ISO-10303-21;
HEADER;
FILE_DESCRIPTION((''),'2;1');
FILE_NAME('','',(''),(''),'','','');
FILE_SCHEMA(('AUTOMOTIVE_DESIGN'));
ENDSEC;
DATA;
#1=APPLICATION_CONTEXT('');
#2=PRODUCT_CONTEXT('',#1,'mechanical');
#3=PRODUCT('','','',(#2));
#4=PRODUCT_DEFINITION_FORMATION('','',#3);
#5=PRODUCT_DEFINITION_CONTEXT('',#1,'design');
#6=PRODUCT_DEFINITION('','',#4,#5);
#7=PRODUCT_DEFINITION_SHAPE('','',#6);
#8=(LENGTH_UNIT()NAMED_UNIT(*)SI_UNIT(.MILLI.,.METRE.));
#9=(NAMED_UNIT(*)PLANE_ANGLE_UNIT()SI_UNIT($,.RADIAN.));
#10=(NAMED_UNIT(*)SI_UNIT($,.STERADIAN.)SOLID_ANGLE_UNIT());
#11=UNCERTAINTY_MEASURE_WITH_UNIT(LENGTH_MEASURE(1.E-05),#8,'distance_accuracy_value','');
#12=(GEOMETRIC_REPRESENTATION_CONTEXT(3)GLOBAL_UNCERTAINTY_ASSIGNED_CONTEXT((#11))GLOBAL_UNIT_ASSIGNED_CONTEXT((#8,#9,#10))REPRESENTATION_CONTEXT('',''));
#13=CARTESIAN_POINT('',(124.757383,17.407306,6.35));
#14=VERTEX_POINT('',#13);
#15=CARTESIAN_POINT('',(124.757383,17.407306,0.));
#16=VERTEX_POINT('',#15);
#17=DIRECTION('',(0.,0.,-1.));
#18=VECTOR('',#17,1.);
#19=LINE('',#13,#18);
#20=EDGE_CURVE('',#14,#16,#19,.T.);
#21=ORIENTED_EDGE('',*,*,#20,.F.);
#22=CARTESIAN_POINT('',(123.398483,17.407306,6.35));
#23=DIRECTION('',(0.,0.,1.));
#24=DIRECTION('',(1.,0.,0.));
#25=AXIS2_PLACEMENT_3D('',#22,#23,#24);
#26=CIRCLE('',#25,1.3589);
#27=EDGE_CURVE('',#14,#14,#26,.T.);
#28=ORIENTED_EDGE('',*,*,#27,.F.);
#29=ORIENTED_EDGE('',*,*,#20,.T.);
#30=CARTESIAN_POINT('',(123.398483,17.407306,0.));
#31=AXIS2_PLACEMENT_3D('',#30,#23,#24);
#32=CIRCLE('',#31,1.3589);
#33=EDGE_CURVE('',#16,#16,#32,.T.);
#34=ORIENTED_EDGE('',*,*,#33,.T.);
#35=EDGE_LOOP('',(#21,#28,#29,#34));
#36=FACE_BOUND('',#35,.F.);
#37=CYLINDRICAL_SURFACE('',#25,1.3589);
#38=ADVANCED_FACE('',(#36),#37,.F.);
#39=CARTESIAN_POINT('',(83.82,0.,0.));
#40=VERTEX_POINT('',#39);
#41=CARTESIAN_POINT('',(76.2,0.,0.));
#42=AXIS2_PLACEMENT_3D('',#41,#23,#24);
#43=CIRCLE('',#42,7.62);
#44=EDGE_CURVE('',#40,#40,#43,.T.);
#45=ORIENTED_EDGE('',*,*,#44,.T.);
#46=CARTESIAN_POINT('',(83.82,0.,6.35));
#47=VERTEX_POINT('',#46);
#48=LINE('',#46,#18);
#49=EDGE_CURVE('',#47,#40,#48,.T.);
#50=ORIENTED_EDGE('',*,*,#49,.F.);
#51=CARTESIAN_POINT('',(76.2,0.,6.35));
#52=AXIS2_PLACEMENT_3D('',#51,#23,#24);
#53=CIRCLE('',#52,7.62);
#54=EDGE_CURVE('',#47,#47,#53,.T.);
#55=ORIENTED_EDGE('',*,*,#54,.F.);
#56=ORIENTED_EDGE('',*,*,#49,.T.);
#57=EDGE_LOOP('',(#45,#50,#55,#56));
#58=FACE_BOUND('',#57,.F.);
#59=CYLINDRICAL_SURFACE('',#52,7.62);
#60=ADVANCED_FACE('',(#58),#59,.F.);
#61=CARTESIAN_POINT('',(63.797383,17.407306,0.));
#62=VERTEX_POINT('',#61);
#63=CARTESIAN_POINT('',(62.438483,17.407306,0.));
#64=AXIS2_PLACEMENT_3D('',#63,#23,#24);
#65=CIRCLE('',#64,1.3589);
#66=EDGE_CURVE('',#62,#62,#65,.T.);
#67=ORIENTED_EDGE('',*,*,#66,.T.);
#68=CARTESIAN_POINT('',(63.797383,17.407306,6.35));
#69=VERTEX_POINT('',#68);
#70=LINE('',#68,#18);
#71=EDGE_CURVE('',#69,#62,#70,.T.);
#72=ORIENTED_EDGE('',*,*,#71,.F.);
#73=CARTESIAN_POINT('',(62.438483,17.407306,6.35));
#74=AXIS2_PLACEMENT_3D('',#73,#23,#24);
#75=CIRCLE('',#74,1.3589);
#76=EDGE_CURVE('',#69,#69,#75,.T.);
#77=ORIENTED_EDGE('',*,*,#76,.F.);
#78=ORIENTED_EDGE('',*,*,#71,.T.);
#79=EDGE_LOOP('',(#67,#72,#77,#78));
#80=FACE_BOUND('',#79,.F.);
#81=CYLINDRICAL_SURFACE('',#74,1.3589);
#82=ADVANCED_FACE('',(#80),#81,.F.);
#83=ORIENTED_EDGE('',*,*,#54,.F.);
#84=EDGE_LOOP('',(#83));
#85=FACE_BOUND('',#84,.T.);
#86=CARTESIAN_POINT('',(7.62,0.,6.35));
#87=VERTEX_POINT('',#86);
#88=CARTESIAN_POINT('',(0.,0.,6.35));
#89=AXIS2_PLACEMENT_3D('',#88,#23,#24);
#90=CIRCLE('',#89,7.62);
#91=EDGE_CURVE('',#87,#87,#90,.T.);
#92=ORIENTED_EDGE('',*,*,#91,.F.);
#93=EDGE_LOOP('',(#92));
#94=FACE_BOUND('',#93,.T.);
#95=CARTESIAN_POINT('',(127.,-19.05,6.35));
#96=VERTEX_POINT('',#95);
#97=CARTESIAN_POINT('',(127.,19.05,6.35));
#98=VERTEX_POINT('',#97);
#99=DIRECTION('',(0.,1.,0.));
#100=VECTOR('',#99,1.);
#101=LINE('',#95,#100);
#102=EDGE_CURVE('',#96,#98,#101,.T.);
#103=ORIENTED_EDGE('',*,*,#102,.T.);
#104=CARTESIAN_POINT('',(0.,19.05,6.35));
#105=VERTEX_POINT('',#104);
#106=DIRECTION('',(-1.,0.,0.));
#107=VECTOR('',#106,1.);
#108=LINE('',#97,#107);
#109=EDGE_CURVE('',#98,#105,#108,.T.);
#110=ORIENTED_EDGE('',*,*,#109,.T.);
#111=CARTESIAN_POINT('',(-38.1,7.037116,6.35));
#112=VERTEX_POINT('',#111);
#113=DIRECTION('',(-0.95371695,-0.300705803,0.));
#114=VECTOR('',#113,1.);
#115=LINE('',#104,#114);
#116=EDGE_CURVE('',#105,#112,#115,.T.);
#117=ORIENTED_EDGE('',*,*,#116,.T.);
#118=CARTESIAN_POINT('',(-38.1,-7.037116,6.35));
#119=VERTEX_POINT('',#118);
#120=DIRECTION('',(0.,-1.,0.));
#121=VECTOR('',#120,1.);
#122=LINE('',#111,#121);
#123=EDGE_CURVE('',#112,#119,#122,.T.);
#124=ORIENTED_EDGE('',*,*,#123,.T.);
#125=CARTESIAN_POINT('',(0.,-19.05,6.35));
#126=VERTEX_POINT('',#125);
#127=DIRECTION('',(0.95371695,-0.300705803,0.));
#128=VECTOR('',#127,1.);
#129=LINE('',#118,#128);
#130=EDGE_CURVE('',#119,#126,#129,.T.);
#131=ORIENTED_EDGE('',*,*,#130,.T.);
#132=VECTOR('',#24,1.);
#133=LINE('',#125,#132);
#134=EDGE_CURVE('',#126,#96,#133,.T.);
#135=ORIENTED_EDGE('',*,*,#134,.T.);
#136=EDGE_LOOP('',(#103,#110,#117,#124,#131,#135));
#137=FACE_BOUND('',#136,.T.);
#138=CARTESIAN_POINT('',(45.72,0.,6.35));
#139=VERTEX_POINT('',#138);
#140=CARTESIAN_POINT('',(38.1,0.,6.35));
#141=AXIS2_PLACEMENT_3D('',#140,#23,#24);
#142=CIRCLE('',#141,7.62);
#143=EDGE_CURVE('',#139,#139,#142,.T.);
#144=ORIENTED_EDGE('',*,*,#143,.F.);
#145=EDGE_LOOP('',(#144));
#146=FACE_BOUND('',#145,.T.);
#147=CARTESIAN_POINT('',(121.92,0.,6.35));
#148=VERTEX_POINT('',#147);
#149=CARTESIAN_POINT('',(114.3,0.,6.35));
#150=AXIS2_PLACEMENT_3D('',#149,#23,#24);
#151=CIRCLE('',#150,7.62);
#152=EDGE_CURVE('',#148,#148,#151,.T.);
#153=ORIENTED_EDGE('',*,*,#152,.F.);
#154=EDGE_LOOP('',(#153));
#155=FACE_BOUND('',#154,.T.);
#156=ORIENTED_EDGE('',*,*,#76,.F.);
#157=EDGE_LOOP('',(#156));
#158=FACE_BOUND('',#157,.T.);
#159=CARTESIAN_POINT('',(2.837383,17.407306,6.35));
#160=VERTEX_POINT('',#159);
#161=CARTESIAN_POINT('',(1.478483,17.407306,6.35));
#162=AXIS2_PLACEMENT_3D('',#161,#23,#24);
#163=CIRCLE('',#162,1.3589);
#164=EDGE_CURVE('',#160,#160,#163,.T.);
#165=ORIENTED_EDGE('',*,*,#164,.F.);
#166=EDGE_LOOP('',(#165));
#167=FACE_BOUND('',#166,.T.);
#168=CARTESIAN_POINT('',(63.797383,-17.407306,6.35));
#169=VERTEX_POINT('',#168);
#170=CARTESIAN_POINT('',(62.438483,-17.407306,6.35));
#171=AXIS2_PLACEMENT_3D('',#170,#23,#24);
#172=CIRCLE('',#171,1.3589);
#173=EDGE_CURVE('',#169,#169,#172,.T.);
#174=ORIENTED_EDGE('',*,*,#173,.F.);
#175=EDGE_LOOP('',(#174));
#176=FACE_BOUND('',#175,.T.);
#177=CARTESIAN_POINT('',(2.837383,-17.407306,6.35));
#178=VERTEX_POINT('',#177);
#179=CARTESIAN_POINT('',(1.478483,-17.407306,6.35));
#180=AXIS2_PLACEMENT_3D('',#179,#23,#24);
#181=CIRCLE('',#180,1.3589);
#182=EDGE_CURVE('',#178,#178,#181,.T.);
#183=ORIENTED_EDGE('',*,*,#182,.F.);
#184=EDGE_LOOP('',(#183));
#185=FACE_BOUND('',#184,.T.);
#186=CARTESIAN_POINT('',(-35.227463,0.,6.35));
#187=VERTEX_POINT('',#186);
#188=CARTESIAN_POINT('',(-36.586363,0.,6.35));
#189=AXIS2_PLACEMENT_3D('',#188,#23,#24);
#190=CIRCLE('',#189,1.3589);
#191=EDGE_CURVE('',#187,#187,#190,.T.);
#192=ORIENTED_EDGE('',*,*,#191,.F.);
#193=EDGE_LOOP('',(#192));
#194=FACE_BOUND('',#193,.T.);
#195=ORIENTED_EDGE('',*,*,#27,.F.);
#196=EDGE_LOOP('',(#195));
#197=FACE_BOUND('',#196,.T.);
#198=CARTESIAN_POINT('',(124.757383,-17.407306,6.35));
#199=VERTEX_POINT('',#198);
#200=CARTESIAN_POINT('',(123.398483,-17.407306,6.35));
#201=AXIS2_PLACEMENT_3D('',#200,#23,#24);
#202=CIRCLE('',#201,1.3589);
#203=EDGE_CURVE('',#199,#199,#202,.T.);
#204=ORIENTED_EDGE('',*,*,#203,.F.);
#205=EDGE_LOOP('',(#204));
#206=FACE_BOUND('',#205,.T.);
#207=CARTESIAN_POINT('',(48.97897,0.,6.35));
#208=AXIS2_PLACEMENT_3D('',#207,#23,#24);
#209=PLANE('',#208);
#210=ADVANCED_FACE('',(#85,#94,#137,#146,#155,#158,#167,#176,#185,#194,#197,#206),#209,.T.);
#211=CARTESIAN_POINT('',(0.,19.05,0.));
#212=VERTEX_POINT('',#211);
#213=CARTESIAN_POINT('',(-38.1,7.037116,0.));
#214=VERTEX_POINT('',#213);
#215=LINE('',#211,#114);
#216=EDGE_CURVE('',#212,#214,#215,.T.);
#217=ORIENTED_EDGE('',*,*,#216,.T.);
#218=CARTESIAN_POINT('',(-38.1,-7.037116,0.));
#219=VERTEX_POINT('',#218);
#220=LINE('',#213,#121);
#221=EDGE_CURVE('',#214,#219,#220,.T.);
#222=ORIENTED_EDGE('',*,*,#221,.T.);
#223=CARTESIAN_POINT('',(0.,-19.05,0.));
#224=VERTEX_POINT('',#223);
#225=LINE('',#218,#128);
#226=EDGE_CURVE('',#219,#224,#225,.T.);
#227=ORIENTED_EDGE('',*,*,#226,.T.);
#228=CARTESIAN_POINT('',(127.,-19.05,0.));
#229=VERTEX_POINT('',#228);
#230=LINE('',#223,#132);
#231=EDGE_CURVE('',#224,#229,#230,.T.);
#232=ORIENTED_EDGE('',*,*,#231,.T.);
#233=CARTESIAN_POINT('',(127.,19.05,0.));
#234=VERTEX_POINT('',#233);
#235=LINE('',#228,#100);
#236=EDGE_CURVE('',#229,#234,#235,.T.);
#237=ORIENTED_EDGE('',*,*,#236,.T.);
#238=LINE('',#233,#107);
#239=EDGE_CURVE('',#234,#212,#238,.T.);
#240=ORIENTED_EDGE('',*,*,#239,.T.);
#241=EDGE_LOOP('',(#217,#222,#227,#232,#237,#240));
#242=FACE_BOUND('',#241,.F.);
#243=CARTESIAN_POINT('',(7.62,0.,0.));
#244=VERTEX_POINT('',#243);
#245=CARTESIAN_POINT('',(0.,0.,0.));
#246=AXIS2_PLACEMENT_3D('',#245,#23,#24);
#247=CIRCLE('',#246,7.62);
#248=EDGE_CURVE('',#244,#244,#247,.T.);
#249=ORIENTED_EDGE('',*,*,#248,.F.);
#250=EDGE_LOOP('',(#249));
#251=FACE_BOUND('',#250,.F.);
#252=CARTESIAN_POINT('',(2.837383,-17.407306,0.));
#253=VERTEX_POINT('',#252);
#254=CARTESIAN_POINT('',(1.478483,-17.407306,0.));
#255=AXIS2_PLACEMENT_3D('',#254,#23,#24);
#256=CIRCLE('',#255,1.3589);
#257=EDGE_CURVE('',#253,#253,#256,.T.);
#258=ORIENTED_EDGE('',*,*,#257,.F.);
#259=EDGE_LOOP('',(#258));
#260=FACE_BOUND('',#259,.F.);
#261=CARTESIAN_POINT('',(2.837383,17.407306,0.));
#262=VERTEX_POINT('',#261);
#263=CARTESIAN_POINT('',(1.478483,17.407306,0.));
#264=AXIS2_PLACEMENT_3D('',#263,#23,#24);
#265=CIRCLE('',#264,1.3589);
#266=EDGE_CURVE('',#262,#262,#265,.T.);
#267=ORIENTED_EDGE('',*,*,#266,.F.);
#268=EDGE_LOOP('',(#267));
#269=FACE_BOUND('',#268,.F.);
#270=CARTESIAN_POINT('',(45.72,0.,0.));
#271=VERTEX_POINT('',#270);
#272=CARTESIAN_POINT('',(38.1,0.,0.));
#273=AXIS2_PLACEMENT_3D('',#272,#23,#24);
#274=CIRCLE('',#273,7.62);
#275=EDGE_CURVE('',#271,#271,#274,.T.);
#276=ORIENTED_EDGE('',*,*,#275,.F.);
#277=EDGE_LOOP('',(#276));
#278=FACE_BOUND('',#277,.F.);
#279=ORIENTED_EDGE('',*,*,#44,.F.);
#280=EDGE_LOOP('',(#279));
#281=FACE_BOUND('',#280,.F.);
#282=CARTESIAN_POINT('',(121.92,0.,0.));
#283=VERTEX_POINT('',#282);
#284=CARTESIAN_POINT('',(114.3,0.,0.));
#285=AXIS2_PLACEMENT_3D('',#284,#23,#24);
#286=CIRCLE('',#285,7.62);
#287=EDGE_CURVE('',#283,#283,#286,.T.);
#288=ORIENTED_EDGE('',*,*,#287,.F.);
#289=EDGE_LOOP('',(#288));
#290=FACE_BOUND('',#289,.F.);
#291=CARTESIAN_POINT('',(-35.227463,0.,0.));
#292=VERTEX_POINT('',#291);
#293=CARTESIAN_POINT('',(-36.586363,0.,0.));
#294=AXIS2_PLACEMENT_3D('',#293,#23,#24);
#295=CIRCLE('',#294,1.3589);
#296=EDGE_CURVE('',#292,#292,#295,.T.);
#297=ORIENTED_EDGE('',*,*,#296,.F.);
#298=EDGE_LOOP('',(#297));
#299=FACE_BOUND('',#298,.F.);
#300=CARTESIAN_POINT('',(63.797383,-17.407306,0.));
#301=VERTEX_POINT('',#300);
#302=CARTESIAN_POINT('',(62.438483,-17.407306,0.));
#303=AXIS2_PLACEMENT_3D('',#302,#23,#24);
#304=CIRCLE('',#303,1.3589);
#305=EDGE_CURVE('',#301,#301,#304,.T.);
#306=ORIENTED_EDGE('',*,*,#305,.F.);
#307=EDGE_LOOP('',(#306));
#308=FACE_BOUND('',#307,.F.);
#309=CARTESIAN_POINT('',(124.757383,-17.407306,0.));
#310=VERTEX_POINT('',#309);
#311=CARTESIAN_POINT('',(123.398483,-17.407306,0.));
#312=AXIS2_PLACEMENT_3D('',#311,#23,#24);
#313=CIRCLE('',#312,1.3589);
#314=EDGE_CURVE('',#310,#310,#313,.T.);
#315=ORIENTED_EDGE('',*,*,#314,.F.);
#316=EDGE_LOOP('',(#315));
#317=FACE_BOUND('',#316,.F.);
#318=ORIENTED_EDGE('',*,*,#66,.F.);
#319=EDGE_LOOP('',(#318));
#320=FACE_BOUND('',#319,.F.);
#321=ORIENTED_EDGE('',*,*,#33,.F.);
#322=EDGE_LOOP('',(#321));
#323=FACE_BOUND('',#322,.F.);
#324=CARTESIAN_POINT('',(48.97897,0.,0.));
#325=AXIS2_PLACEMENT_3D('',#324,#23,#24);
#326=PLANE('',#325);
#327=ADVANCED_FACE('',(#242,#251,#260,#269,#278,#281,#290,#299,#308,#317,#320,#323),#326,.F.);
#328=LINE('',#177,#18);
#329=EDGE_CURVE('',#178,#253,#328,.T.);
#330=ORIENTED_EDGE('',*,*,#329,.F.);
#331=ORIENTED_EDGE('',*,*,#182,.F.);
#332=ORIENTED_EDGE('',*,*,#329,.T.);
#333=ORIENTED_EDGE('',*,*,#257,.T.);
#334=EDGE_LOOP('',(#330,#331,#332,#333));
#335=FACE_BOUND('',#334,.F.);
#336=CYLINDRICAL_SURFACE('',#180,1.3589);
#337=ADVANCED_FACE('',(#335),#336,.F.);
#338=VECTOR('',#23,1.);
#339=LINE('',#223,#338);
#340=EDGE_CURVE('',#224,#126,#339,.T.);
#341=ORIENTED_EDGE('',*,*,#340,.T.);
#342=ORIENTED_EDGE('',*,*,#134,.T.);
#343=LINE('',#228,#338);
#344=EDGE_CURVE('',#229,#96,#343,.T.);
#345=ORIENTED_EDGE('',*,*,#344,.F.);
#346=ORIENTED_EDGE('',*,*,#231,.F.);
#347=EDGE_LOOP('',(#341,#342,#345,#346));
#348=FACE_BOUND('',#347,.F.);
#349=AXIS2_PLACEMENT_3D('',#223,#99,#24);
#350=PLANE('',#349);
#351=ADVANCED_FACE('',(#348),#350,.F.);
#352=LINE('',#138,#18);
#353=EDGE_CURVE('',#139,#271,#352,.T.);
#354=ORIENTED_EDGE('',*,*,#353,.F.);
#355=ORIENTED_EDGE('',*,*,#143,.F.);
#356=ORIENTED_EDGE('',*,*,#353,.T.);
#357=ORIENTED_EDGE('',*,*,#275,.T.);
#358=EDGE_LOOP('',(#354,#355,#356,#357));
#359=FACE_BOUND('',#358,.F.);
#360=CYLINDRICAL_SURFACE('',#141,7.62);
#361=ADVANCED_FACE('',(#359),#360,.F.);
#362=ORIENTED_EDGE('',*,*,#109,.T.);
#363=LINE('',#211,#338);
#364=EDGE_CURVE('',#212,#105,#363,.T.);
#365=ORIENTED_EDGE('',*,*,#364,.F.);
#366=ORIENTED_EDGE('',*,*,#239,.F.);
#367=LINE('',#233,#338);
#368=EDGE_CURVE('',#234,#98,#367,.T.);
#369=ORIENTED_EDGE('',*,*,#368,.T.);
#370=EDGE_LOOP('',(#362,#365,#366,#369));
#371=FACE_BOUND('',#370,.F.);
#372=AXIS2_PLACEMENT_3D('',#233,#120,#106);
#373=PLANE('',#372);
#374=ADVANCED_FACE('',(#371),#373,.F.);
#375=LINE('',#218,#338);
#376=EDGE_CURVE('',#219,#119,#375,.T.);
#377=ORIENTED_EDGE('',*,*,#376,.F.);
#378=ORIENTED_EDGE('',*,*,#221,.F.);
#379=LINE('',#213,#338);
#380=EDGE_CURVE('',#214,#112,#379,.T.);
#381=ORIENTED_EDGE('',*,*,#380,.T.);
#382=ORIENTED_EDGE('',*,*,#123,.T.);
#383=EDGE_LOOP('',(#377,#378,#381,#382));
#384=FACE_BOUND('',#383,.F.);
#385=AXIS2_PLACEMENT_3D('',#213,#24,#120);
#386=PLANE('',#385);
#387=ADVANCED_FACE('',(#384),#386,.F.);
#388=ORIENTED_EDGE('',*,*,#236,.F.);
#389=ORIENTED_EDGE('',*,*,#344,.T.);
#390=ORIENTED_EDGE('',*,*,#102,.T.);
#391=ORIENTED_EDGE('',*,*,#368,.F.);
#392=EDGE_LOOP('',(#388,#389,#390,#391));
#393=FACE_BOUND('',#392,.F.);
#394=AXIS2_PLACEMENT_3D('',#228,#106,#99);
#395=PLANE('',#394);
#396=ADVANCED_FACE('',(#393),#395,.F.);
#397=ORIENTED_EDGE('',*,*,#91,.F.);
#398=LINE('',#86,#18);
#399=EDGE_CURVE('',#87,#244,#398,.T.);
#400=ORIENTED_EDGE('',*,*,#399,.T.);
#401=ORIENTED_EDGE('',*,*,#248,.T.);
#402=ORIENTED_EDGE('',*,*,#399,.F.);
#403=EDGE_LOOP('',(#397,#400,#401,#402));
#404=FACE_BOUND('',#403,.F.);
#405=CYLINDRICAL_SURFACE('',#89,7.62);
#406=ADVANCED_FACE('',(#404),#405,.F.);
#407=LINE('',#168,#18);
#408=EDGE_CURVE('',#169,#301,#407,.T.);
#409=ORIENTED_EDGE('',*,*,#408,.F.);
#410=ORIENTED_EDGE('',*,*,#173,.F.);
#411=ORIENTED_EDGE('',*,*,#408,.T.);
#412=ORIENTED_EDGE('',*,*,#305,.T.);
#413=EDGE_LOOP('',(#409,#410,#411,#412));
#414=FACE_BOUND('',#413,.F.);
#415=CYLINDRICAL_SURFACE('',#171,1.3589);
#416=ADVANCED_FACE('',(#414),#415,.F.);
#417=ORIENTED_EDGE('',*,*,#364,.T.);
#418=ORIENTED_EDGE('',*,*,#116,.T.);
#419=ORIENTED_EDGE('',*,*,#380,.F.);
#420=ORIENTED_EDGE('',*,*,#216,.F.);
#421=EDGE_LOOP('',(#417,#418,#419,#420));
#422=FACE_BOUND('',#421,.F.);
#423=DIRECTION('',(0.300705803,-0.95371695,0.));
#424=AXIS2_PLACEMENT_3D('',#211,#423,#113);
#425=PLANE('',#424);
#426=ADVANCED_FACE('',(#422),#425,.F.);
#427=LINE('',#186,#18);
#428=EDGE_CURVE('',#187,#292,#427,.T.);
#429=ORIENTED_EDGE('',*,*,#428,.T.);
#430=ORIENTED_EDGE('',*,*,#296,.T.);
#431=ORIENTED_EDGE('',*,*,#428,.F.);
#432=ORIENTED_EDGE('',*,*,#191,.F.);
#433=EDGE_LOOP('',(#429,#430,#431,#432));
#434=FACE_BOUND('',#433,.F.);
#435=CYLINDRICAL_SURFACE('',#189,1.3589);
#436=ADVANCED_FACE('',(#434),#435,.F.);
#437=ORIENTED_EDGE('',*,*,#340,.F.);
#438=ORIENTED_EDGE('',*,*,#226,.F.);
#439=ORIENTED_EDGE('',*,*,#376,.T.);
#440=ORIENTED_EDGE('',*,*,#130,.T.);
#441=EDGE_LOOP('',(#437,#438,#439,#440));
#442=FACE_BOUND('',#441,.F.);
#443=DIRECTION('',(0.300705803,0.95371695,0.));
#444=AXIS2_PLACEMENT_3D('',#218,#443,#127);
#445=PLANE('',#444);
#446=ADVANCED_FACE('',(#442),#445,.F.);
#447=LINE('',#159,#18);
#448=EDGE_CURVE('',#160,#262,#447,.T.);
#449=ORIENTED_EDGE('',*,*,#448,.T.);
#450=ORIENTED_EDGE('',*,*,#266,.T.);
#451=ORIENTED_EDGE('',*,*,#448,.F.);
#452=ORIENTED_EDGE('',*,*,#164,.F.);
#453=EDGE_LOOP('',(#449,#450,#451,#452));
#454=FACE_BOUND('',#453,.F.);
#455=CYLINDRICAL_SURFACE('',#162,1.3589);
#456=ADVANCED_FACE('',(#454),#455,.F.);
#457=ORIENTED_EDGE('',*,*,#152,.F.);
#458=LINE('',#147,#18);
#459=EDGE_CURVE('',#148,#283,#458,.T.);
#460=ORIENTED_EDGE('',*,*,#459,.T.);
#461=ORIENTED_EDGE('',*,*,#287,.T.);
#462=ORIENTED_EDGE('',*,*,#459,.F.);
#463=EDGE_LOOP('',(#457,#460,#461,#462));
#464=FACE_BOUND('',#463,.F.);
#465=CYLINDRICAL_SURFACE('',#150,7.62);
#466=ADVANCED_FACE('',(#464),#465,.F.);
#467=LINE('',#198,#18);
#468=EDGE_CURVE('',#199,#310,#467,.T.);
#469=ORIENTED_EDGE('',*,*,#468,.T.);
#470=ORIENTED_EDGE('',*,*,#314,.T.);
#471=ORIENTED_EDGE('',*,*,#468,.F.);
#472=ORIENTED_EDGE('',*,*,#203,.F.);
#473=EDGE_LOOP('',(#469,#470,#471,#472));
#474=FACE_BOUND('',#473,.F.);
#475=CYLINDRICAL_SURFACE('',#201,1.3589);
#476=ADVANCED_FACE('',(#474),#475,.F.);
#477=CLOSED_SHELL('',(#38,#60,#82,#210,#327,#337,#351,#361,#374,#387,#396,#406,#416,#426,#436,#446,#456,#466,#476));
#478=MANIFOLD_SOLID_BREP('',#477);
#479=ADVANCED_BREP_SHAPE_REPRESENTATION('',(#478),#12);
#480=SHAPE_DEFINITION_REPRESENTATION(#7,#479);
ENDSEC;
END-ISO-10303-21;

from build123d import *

# Parameters (mm, degrees)
F1_DEPTH = 6.35
F2_R     = 1.3589
F2_R_2   = 7.62
F3_DEPTH = 25.4


with BuildPart() as f1:
    # F0 (on Top) → F1 (new body)
    with BuildSketch(Plane.XY):
        Polygon((127, 19.05), (0, 19.05), (-38.1, 7.037116), (-38.1, -7.037116), (0, -19.05), (127, -19.05), align=None)
    extrude(amount=F1_DEPTH)

    # F2 (on face) → F3 (cut)
    with BuildSketch(Plane.XY.offset(6.35)):
        with Locations((1.478483, 17.407306)):
            Circle(F2_R)
        with Locations((62.438483, 17.407306)):
            Circle(F2_R)
        with Locations((123.398483, 17.407306)):
            Circle(F2_R)
        with Locations((123.398483, -17.407306)):
            Circle(F2_R)
        with Locations((62.438483, -17.407306)):
            Circle(F2_R)
        with Locations((1.478483, -17.407306)):
            Circle(F2_R)
        with Locations((-36.586363, 0)):
            Circle(F2_R)
        Circle(F2_R_2)
        with Locations((38.1, 0)):
            Circle(F2_R_2)
        with Locations((76.2, 0)):
            Circle(F2_R_2)
        with Locations((114.3, 0)):
            Circle(F2_R_2)
    extrude(amount=-F3_DEPTH, mode=Mode.SUBTRACT)


solid = f1.part
